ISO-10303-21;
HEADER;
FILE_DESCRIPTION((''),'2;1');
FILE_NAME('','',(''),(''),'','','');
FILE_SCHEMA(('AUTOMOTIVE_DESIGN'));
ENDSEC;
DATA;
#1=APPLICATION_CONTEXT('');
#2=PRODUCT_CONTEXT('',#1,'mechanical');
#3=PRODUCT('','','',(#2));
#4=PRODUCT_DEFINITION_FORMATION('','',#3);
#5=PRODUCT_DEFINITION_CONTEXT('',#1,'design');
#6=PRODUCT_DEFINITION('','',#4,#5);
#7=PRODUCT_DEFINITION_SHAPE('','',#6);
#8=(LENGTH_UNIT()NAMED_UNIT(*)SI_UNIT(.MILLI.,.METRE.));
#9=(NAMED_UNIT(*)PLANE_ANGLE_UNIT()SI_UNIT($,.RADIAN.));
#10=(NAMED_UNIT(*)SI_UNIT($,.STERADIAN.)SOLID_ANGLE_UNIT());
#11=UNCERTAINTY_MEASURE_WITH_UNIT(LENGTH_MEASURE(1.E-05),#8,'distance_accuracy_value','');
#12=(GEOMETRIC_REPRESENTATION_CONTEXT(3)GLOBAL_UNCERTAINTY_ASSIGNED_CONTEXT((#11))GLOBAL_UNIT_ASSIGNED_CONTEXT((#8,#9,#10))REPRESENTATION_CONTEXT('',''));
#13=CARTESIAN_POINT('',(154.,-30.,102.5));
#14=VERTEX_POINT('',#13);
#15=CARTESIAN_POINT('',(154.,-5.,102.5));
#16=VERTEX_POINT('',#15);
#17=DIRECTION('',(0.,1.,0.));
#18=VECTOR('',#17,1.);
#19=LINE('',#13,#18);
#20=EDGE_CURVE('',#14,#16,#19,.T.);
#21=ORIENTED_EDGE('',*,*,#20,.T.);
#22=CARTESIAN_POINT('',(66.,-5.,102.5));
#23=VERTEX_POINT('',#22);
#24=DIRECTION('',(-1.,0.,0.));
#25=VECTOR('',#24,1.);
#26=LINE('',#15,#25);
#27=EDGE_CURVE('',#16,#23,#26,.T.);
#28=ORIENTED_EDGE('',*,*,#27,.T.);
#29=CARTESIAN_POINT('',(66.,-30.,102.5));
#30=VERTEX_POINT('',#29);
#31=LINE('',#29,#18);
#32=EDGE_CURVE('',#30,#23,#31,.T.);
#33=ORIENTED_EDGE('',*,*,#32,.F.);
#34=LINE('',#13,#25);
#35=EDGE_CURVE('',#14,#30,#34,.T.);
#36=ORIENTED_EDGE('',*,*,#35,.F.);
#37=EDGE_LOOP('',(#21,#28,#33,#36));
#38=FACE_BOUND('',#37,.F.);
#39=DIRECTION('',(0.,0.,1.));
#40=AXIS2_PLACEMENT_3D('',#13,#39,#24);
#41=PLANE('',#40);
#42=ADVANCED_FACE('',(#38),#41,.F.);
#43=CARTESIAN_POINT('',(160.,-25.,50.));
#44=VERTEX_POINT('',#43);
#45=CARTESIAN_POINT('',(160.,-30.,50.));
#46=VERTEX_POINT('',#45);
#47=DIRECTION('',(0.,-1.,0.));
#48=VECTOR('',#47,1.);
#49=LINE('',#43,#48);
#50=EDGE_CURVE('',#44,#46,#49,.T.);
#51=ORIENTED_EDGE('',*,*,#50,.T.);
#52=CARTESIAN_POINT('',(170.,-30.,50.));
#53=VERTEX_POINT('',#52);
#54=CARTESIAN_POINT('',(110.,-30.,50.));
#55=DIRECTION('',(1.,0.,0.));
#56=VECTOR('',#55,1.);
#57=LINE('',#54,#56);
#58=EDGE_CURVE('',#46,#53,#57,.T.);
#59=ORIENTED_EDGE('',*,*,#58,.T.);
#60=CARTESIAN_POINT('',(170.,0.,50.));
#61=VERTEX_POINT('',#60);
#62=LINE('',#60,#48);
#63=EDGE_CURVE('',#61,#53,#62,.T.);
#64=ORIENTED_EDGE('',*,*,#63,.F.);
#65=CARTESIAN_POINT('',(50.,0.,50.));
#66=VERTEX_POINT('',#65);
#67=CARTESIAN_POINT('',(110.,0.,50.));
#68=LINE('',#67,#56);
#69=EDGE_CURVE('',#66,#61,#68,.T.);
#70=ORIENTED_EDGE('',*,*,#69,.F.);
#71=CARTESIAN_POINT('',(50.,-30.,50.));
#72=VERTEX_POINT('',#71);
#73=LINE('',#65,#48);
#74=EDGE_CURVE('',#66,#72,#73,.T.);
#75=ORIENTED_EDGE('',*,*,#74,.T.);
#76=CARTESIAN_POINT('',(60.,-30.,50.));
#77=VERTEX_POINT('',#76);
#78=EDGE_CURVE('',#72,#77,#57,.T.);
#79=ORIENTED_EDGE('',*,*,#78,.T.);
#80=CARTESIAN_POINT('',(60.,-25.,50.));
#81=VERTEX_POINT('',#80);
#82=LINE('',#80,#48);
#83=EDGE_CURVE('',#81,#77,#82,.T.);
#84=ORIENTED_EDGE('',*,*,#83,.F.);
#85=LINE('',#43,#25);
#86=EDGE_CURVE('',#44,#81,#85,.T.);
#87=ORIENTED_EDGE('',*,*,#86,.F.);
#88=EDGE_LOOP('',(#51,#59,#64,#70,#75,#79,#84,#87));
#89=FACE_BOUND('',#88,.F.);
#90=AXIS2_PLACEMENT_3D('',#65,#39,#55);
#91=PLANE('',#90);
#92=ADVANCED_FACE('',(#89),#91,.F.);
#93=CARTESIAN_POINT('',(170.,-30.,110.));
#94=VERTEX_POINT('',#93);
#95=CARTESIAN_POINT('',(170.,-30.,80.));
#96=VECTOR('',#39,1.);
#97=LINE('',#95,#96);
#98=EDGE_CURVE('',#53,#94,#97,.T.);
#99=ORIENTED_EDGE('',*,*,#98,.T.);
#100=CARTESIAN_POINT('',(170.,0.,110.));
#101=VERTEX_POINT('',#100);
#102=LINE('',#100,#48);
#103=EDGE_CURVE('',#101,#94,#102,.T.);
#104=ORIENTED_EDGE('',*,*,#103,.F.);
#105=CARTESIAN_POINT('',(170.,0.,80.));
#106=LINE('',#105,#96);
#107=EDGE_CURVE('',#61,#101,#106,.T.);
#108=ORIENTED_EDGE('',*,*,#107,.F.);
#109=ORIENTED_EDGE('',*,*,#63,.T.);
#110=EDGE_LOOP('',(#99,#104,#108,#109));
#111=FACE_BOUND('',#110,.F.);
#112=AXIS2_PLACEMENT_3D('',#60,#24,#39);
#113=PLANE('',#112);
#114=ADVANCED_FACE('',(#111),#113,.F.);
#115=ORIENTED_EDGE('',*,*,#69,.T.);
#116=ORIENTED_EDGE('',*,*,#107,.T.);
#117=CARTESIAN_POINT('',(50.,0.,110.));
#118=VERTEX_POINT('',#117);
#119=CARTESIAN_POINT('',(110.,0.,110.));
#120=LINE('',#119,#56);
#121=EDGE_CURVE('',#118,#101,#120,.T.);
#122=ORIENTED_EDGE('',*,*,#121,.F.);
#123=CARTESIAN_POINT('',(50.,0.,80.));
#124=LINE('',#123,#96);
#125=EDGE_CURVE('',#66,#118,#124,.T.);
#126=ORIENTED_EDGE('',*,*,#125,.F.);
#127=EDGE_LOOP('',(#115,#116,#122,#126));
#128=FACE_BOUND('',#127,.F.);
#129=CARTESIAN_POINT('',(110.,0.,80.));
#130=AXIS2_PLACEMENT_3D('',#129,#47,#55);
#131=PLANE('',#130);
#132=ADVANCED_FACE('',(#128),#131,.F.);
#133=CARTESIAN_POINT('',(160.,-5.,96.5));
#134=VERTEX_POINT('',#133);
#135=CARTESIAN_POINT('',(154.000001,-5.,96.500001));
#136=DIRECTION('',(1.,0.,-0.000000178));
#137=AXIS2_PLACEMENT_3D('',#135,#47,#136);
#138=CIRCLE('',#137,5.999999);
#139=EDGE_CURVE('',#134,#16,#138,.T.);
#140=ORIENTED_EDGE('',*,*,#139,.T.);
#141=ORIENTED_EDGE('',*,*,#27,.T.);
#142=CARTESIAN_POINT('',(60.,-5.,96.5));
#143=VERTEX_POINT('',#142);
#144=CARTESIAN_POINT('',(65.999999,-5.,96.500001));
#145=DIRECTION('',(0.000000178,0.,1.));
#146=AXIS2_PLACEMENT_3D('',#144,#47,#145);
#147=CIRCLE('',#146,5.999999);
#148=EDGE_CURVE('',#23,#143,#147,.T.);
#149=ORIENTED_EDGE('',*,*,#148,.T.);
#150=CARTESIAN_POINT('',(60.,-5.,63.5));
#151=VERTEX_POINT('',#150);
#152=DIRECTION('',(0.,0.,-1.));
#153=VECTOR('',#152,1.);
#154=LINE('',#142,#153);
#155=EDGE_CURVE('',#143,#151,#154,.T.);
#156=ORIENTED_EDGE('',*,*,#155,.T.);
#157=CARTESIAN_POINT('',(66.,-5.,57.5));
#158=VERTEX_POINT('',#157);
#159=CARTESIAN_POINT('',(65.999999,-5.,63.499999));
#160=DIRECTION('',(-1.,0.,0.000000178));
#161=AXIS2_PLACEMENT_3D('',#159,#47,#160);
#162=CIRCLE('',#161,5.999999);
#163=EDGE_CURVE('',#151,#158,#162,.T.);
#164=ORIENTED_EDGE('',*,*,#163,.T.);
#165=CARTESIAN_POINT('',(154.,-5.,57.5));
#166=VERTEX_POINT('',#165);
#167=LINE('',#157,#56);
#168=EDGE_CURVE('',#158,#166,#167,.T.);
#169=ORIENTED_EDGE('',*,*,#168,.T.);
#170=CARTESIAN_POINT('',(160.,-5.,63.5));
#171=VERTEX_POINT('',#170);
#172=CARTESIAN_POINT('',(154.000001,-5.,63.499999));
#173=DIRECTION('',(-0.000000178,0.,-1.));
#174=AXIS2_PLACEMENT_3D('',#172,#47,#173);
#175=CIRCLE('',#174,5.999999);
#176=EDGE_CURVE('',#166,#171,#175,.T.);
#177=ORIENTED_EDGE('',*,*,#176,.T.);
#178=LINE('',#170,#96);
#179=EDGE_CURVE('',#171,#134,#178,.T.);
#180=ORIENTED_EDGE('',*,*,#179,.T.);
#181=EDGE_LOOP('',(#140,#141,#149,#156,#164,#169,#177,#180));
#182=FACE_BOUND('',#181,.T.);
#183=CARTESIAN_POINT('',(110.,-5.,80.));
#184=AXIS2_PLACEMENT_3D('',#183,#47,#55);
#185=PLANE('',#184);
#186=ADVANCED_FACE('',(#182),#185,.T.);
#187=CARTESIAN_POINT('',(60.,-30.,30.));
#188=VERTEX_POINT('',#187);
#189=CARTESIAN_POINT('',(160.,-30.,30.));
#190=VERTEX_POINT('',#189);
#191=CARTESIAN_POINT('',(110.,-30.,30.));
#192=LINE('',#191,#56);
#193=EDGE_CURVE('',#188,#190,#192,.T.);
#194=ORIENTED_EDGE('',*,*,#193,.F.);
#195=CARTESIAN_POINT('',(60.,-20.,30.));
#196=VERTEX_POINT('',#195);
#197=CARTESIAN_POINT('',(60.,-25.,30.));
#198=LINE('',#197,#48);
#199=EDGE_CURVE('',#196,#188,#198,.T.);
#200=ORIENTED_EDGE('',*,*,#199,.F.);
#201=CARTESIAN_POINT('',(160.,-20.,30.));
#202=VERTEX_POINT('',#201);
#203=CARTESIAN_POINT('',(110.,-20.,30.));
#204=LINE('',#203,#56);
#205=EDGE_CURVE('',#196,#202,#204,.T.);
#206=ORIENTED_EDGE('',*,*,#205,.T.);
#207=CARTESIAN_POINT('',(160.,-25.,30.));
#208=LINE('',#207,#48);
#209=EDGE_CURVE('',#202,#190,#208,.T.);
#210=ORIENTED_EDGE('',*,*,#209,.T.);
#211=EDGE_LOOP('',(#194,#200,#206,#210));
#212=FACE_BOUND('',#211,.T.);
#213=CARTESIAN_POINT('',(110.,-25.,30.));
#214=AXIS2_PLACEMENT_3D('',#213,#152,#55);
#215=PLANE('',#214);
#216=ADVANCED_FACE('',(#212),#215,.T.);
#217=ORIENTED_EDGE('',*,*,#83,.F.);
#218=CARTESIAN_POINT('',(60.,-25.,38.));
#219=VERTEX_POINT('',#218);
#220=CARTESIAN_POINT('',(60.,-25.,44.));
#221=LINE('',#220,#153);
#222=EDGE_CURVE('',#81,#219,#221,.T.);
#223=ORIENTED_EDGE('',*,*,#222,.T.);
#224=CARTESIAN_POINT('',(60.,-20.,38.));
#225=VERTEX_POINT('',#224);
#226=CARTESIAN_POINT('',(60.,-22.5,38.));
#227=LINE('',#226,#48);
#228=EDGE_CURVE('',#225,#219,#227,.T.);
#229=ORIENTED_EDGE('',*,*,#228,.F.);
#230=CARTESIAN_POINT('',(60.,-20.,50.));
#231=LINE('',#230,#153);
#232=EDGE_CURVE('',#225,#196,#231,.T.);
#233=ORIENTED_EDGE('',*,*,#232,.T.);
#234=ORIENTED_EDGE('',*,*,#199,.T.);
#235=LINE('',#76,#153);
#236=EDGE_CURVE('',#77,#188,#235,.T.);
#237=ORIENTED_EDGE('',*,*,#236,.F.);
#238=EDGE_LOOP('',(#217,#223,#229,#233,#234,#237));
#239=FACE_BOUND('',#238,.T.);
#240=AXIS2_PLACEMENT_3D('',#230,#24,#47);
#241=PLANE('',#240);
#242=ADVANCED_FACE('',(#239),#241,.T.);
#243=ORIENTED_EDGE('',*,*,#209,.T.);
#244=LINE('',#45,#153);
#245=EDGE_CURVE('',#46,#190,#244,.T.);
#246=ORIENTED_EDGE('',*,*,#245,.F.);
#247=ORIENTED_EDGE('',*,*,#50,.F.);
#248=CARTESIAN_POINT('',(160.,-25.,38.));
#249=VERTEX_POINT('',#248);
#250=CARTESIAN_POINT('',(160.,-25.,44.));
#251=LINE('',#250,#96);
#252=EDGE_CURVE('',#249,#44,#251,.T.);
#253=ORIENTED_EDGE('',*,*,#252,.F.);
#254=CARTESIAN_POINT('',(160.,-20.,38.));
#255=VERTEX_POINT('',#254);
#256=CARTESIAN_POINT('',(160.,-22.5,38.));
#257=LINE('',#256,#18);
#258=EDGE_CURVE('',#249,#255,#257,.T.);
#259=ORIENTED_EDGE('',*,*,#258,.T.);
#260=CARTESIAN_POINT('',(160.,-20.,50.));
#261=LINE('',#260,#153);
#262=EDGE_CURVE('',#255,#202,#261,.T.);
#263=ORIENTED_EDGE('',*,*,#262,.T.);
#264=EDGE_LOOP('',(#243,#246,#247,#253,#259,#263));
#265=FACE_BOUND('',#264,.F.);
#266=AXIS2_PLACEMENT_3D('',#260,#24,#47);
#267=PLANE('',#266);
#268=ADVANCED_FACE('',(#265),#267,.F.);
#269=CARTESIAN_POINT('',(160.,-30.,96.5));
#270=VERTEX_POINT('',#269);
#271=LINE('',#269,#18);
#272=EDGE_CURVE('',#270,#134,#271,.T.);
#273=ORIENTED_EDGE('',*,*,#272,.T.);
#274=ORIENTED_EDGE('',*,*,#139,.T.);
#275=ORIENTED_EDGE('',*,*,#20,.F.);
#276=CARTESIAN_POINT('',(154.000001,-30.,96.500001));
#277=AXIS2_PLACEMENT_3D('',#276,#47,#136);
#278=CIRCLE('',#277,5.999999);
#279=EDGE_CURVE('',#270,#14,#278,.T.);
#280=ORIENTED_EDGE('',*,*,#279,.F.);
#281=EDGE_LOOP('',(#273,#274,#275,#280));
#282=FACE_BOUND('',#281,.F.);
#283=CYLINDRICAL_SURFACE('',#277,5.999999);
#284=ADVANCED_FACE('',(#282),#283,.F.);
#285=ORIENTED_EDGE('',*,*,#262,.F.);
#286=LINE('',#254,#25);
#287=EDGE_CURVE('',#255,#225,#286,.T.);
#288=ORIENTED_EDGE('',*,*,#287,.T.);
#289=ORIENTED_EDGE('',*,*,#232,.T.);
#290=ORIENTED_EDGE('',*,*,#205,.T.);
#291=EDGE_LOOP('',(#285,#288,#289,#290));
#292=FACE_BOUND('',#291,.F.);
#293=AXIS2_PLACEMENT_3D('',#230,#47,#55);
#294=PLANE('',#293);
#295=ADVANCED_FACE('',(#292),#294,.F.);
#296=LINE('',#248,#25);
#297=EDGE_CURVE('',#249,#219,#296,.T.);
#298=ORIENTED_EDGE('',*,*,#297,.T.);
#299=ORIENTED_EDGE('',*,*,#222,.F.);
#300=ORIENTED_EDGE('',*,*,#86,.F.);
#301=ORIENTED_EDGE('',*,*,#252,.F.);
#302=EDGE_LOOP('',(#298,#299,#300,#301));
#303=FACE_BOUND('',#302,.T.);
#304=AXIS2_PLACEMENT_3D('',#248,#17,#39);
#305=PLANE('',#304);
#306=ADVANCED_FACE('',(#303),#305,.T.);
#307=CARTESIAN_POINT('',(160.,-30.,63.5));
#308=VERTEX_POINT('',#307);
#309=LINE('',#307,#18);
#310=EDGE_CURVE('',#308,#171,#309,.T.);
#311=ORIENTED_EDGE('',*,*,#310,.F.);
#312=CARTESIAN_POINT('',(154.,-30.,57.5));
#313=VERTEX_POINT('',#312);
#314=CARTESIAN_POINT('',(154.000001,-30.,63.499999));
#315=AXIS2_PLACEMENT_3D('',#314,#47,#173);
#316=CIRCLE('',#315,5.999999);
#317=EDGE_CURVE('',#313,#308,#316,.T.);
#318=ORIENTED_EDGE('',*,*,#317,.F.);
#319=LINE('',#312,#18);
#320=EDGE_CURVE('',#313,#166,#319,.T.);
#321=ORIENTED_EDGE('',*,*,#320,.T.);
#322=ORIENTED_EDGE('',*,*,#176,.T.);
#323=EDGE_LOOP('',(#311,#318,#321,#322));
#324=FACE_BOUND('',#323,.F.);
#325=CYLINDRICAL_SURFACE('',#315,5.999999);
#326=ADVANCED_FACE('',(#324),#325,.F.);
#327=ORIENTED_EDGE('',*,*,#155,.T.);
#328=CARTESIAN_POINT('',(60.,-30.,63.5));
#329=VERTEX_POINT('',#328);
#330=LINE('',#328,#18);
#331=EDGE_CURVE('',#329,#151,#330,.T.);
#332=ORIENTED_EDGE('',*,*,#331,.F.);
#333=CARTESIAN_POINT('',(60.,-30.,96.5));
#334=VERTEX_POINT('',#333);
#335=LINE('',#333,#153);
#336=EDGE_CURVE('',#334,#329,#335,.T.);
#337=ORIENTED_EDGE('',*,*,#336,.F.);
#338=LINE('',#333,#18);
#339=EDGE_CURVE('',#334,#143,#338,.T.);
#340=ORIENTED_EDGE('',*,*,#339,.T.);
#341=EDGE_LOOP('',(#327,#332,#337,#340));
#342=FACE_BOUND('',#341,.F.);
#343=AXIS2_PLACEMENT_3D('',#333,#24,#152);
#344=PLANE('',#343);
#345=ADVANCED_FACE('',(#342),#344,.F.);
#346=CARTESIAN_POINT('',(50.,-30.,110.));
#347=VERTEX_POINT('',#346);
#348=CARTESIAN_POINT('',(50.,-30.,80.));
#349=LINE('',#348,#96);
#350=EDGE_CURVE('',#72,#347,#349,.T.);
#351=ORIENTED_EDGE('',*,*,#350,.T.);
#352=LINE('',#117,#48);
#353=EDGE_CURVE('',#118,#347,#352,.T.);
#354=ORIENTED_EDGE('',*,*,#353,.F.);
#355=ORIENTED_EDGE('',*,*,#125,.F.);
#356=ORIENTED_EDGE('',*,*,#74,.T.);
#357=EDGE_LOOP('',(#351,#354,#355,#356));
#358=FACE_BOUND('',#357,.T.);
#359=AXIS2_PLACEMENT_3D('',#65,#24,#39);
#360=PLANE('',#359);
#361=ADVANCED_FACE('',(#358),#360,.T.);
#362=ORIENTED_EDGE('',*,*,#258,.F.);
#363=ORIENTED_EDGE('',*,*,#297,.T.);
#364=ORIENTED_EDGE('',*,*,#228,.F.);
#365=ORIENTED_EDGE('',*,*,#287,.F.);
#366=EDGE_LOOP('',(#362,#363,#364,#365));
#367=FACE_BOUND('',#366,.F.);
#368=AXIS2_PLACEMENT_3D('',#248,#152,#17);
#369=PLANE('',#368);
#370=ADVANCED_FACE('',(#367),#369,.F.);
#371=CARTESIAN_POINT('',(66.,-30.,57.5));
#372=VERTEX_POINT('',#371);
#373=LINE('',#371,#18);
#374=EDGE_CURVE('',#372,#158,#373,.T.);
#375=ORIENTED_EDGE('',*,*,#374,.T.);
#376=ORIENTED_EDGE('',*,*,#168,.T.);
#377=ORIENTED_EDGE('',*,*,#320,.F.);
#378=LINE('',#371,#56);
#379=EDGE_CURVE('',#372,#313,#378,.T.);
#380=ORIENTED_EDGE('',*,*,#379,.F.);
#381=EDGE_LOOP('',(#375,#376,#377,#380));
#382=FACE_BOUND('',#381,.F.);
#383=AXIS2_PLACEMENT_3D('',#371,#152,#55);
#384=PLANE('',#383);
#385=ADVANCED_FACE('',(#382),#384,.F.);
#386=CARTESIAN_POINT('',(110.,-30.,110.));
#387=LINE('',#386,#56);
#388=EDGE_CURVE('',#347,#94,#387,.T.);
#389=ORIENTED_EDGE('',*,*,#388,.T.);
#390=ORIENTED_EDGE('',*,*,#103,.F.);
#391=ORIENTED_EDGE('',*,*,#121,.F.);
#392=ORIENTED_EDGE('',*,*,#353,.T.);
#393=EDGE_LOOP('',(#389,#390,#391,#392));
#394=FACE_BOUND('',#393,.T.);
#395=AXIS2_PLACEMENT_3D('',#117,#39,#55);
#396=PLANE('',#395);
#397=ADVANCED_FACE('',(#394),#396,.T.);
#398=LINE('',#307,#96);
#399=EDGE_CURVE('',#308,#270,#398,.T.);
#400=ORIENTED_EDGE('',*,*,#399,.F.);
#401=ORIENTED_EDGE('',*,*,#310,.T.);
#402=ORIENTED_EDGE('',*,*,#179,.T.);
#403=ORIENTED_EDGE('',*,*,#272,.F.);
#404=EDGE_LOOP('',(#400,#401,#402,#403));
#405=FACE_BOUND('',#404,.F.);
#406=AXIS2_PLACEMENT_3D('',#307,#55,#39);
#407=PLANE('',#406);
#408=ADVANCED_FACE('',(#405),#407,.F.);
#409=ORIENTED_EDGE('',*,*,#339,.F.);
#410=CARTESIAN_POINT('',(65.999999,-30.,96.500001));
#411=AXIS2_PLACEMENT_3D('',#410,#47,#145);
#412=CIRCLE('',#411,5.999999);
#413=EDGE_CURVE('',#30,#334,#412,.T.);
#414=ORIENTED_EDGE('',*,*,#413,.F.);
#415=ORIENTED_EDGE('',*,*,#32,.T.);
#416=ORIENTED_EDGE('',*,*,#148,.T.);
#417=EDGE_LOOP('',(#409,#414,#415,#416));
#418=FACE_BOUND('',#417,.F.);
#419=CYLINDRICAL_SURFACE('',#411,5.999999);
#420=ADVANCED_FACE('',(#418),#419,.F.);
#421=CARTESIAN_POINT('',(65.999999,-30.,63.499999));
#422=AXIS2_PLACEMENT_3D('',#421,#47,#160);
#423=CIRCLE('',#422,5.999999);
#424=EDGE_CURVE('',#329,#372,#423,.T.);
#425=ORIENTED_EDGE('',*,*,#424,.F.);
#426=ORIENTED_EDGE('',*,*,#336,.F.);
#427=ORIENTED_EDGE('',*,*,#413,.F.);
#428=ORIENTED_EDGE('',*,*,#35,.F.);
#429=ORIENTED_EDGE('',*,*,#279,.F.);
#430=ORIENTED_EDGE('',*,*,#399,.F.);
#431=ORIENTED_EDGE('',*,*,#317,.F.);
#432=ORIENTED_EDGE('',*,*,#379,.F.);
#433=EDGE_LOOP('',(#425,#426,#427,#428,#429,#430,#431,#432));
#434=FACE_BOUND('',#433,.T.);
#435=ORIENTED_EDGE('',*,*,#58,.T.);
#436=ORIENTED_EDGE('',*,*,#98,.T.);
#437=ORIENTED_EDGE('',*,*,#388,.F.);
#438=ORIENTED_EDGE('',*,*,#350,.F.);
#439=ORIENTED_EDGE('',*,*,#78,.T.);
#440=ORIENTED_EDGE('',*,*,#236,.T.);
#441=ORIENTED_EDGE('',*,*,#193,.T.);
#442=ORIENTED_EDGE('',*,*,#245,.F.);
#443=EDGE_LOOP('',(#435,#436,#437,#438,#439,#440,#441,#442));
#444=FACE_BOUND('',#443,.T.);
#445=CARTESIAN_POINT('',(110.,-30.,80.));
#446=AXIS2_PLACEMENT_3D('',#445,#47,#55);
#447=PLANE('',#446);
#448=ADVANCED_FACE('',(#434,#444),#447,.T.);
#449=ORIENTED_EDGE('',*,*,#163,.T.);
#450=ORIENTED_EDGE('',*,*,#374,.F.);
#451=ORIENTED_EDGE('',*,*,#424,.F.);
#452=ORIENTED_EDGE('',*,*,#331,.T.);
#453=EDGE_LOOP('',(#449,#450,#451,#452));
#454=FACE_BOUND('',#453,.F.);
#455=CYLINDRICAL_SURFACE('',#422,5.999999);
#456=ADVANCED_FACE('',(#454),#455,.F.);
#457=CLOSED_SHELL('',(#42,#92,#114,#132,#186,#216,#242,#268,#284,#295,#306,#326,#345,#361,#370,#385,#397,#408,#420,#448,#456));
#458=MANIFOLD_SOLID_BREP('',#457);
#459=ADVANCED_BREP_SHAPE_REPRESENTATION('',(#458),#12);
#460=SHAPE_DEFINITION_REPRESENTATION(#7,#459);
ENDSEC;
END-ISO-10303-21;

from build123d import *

# Parameters (mm, degrees)
F0_W     = 120
F0_H     = 60
F1_DEPTH = 30
F3_DEPTH = 25
F4_W     = 100
F4_H     = 10
F5_DEPTH = 20
F6_W     = 5
F6_H     = 12
F7_DEPTH = 110.001


with BuildPart() as f1:
    # F0 (on Front) → F1 (new body)
    with BuildSketch(Plane.XZ):
        with Locations((110, 80)):
            Rectangle(F0_W, F0_H)
    extrude(amount=F1_DEPTH)

    # F2 (on face) → F3 (cut)
    with BuildSketch(Plane.XZ.offset(30)):
        with BuildLine():
            Line((66, 57.5), (154, 57.5))
            ThreePointArc((154, 57.5), (158.242641, 59.257359), (160, 63.5))
            Line((160, 63.5), (160, 96.5))
            ThreePointArc((160, 96.5), (158.242641, 100.742641), (154, 102.5))
            Line((154, 102.5), (66, 102.5))
            ThreePointArc((66, 102.5), (61.757359, 100.742641), (60, 96.5))
            Line((60, 96.5), (60, 63.5))
            ThreePointArc((60, 63.5), (61.757359, 59.257359), (66, 57.5))
        make_face()
    extrude(amount=-F3_DEPTH, mode=Mode.SUBTRACT)

    # F4 (on face) → F5 (join)
    with BuildSketch(Plane(origin=(0, 0, 50), x_dir=(1, 0, 0), z_dir=(0, 0, -1))):
        with Locations((110, 25)):
            Rectangle(F4_W, F4_H)
    extrude(amount=F5_DEPTH)

    # F6 (on face) → F7 (cut, through all)
    with BuildSketch(Plane.YZ.offset(160)):
        with Locations((-22.5, 44)):
            Rectangle(F6_W, F6_H)
    extrude(amount=-F7_DEPTH, mode=Mode.SUBTRACT)


solid = f1.part
